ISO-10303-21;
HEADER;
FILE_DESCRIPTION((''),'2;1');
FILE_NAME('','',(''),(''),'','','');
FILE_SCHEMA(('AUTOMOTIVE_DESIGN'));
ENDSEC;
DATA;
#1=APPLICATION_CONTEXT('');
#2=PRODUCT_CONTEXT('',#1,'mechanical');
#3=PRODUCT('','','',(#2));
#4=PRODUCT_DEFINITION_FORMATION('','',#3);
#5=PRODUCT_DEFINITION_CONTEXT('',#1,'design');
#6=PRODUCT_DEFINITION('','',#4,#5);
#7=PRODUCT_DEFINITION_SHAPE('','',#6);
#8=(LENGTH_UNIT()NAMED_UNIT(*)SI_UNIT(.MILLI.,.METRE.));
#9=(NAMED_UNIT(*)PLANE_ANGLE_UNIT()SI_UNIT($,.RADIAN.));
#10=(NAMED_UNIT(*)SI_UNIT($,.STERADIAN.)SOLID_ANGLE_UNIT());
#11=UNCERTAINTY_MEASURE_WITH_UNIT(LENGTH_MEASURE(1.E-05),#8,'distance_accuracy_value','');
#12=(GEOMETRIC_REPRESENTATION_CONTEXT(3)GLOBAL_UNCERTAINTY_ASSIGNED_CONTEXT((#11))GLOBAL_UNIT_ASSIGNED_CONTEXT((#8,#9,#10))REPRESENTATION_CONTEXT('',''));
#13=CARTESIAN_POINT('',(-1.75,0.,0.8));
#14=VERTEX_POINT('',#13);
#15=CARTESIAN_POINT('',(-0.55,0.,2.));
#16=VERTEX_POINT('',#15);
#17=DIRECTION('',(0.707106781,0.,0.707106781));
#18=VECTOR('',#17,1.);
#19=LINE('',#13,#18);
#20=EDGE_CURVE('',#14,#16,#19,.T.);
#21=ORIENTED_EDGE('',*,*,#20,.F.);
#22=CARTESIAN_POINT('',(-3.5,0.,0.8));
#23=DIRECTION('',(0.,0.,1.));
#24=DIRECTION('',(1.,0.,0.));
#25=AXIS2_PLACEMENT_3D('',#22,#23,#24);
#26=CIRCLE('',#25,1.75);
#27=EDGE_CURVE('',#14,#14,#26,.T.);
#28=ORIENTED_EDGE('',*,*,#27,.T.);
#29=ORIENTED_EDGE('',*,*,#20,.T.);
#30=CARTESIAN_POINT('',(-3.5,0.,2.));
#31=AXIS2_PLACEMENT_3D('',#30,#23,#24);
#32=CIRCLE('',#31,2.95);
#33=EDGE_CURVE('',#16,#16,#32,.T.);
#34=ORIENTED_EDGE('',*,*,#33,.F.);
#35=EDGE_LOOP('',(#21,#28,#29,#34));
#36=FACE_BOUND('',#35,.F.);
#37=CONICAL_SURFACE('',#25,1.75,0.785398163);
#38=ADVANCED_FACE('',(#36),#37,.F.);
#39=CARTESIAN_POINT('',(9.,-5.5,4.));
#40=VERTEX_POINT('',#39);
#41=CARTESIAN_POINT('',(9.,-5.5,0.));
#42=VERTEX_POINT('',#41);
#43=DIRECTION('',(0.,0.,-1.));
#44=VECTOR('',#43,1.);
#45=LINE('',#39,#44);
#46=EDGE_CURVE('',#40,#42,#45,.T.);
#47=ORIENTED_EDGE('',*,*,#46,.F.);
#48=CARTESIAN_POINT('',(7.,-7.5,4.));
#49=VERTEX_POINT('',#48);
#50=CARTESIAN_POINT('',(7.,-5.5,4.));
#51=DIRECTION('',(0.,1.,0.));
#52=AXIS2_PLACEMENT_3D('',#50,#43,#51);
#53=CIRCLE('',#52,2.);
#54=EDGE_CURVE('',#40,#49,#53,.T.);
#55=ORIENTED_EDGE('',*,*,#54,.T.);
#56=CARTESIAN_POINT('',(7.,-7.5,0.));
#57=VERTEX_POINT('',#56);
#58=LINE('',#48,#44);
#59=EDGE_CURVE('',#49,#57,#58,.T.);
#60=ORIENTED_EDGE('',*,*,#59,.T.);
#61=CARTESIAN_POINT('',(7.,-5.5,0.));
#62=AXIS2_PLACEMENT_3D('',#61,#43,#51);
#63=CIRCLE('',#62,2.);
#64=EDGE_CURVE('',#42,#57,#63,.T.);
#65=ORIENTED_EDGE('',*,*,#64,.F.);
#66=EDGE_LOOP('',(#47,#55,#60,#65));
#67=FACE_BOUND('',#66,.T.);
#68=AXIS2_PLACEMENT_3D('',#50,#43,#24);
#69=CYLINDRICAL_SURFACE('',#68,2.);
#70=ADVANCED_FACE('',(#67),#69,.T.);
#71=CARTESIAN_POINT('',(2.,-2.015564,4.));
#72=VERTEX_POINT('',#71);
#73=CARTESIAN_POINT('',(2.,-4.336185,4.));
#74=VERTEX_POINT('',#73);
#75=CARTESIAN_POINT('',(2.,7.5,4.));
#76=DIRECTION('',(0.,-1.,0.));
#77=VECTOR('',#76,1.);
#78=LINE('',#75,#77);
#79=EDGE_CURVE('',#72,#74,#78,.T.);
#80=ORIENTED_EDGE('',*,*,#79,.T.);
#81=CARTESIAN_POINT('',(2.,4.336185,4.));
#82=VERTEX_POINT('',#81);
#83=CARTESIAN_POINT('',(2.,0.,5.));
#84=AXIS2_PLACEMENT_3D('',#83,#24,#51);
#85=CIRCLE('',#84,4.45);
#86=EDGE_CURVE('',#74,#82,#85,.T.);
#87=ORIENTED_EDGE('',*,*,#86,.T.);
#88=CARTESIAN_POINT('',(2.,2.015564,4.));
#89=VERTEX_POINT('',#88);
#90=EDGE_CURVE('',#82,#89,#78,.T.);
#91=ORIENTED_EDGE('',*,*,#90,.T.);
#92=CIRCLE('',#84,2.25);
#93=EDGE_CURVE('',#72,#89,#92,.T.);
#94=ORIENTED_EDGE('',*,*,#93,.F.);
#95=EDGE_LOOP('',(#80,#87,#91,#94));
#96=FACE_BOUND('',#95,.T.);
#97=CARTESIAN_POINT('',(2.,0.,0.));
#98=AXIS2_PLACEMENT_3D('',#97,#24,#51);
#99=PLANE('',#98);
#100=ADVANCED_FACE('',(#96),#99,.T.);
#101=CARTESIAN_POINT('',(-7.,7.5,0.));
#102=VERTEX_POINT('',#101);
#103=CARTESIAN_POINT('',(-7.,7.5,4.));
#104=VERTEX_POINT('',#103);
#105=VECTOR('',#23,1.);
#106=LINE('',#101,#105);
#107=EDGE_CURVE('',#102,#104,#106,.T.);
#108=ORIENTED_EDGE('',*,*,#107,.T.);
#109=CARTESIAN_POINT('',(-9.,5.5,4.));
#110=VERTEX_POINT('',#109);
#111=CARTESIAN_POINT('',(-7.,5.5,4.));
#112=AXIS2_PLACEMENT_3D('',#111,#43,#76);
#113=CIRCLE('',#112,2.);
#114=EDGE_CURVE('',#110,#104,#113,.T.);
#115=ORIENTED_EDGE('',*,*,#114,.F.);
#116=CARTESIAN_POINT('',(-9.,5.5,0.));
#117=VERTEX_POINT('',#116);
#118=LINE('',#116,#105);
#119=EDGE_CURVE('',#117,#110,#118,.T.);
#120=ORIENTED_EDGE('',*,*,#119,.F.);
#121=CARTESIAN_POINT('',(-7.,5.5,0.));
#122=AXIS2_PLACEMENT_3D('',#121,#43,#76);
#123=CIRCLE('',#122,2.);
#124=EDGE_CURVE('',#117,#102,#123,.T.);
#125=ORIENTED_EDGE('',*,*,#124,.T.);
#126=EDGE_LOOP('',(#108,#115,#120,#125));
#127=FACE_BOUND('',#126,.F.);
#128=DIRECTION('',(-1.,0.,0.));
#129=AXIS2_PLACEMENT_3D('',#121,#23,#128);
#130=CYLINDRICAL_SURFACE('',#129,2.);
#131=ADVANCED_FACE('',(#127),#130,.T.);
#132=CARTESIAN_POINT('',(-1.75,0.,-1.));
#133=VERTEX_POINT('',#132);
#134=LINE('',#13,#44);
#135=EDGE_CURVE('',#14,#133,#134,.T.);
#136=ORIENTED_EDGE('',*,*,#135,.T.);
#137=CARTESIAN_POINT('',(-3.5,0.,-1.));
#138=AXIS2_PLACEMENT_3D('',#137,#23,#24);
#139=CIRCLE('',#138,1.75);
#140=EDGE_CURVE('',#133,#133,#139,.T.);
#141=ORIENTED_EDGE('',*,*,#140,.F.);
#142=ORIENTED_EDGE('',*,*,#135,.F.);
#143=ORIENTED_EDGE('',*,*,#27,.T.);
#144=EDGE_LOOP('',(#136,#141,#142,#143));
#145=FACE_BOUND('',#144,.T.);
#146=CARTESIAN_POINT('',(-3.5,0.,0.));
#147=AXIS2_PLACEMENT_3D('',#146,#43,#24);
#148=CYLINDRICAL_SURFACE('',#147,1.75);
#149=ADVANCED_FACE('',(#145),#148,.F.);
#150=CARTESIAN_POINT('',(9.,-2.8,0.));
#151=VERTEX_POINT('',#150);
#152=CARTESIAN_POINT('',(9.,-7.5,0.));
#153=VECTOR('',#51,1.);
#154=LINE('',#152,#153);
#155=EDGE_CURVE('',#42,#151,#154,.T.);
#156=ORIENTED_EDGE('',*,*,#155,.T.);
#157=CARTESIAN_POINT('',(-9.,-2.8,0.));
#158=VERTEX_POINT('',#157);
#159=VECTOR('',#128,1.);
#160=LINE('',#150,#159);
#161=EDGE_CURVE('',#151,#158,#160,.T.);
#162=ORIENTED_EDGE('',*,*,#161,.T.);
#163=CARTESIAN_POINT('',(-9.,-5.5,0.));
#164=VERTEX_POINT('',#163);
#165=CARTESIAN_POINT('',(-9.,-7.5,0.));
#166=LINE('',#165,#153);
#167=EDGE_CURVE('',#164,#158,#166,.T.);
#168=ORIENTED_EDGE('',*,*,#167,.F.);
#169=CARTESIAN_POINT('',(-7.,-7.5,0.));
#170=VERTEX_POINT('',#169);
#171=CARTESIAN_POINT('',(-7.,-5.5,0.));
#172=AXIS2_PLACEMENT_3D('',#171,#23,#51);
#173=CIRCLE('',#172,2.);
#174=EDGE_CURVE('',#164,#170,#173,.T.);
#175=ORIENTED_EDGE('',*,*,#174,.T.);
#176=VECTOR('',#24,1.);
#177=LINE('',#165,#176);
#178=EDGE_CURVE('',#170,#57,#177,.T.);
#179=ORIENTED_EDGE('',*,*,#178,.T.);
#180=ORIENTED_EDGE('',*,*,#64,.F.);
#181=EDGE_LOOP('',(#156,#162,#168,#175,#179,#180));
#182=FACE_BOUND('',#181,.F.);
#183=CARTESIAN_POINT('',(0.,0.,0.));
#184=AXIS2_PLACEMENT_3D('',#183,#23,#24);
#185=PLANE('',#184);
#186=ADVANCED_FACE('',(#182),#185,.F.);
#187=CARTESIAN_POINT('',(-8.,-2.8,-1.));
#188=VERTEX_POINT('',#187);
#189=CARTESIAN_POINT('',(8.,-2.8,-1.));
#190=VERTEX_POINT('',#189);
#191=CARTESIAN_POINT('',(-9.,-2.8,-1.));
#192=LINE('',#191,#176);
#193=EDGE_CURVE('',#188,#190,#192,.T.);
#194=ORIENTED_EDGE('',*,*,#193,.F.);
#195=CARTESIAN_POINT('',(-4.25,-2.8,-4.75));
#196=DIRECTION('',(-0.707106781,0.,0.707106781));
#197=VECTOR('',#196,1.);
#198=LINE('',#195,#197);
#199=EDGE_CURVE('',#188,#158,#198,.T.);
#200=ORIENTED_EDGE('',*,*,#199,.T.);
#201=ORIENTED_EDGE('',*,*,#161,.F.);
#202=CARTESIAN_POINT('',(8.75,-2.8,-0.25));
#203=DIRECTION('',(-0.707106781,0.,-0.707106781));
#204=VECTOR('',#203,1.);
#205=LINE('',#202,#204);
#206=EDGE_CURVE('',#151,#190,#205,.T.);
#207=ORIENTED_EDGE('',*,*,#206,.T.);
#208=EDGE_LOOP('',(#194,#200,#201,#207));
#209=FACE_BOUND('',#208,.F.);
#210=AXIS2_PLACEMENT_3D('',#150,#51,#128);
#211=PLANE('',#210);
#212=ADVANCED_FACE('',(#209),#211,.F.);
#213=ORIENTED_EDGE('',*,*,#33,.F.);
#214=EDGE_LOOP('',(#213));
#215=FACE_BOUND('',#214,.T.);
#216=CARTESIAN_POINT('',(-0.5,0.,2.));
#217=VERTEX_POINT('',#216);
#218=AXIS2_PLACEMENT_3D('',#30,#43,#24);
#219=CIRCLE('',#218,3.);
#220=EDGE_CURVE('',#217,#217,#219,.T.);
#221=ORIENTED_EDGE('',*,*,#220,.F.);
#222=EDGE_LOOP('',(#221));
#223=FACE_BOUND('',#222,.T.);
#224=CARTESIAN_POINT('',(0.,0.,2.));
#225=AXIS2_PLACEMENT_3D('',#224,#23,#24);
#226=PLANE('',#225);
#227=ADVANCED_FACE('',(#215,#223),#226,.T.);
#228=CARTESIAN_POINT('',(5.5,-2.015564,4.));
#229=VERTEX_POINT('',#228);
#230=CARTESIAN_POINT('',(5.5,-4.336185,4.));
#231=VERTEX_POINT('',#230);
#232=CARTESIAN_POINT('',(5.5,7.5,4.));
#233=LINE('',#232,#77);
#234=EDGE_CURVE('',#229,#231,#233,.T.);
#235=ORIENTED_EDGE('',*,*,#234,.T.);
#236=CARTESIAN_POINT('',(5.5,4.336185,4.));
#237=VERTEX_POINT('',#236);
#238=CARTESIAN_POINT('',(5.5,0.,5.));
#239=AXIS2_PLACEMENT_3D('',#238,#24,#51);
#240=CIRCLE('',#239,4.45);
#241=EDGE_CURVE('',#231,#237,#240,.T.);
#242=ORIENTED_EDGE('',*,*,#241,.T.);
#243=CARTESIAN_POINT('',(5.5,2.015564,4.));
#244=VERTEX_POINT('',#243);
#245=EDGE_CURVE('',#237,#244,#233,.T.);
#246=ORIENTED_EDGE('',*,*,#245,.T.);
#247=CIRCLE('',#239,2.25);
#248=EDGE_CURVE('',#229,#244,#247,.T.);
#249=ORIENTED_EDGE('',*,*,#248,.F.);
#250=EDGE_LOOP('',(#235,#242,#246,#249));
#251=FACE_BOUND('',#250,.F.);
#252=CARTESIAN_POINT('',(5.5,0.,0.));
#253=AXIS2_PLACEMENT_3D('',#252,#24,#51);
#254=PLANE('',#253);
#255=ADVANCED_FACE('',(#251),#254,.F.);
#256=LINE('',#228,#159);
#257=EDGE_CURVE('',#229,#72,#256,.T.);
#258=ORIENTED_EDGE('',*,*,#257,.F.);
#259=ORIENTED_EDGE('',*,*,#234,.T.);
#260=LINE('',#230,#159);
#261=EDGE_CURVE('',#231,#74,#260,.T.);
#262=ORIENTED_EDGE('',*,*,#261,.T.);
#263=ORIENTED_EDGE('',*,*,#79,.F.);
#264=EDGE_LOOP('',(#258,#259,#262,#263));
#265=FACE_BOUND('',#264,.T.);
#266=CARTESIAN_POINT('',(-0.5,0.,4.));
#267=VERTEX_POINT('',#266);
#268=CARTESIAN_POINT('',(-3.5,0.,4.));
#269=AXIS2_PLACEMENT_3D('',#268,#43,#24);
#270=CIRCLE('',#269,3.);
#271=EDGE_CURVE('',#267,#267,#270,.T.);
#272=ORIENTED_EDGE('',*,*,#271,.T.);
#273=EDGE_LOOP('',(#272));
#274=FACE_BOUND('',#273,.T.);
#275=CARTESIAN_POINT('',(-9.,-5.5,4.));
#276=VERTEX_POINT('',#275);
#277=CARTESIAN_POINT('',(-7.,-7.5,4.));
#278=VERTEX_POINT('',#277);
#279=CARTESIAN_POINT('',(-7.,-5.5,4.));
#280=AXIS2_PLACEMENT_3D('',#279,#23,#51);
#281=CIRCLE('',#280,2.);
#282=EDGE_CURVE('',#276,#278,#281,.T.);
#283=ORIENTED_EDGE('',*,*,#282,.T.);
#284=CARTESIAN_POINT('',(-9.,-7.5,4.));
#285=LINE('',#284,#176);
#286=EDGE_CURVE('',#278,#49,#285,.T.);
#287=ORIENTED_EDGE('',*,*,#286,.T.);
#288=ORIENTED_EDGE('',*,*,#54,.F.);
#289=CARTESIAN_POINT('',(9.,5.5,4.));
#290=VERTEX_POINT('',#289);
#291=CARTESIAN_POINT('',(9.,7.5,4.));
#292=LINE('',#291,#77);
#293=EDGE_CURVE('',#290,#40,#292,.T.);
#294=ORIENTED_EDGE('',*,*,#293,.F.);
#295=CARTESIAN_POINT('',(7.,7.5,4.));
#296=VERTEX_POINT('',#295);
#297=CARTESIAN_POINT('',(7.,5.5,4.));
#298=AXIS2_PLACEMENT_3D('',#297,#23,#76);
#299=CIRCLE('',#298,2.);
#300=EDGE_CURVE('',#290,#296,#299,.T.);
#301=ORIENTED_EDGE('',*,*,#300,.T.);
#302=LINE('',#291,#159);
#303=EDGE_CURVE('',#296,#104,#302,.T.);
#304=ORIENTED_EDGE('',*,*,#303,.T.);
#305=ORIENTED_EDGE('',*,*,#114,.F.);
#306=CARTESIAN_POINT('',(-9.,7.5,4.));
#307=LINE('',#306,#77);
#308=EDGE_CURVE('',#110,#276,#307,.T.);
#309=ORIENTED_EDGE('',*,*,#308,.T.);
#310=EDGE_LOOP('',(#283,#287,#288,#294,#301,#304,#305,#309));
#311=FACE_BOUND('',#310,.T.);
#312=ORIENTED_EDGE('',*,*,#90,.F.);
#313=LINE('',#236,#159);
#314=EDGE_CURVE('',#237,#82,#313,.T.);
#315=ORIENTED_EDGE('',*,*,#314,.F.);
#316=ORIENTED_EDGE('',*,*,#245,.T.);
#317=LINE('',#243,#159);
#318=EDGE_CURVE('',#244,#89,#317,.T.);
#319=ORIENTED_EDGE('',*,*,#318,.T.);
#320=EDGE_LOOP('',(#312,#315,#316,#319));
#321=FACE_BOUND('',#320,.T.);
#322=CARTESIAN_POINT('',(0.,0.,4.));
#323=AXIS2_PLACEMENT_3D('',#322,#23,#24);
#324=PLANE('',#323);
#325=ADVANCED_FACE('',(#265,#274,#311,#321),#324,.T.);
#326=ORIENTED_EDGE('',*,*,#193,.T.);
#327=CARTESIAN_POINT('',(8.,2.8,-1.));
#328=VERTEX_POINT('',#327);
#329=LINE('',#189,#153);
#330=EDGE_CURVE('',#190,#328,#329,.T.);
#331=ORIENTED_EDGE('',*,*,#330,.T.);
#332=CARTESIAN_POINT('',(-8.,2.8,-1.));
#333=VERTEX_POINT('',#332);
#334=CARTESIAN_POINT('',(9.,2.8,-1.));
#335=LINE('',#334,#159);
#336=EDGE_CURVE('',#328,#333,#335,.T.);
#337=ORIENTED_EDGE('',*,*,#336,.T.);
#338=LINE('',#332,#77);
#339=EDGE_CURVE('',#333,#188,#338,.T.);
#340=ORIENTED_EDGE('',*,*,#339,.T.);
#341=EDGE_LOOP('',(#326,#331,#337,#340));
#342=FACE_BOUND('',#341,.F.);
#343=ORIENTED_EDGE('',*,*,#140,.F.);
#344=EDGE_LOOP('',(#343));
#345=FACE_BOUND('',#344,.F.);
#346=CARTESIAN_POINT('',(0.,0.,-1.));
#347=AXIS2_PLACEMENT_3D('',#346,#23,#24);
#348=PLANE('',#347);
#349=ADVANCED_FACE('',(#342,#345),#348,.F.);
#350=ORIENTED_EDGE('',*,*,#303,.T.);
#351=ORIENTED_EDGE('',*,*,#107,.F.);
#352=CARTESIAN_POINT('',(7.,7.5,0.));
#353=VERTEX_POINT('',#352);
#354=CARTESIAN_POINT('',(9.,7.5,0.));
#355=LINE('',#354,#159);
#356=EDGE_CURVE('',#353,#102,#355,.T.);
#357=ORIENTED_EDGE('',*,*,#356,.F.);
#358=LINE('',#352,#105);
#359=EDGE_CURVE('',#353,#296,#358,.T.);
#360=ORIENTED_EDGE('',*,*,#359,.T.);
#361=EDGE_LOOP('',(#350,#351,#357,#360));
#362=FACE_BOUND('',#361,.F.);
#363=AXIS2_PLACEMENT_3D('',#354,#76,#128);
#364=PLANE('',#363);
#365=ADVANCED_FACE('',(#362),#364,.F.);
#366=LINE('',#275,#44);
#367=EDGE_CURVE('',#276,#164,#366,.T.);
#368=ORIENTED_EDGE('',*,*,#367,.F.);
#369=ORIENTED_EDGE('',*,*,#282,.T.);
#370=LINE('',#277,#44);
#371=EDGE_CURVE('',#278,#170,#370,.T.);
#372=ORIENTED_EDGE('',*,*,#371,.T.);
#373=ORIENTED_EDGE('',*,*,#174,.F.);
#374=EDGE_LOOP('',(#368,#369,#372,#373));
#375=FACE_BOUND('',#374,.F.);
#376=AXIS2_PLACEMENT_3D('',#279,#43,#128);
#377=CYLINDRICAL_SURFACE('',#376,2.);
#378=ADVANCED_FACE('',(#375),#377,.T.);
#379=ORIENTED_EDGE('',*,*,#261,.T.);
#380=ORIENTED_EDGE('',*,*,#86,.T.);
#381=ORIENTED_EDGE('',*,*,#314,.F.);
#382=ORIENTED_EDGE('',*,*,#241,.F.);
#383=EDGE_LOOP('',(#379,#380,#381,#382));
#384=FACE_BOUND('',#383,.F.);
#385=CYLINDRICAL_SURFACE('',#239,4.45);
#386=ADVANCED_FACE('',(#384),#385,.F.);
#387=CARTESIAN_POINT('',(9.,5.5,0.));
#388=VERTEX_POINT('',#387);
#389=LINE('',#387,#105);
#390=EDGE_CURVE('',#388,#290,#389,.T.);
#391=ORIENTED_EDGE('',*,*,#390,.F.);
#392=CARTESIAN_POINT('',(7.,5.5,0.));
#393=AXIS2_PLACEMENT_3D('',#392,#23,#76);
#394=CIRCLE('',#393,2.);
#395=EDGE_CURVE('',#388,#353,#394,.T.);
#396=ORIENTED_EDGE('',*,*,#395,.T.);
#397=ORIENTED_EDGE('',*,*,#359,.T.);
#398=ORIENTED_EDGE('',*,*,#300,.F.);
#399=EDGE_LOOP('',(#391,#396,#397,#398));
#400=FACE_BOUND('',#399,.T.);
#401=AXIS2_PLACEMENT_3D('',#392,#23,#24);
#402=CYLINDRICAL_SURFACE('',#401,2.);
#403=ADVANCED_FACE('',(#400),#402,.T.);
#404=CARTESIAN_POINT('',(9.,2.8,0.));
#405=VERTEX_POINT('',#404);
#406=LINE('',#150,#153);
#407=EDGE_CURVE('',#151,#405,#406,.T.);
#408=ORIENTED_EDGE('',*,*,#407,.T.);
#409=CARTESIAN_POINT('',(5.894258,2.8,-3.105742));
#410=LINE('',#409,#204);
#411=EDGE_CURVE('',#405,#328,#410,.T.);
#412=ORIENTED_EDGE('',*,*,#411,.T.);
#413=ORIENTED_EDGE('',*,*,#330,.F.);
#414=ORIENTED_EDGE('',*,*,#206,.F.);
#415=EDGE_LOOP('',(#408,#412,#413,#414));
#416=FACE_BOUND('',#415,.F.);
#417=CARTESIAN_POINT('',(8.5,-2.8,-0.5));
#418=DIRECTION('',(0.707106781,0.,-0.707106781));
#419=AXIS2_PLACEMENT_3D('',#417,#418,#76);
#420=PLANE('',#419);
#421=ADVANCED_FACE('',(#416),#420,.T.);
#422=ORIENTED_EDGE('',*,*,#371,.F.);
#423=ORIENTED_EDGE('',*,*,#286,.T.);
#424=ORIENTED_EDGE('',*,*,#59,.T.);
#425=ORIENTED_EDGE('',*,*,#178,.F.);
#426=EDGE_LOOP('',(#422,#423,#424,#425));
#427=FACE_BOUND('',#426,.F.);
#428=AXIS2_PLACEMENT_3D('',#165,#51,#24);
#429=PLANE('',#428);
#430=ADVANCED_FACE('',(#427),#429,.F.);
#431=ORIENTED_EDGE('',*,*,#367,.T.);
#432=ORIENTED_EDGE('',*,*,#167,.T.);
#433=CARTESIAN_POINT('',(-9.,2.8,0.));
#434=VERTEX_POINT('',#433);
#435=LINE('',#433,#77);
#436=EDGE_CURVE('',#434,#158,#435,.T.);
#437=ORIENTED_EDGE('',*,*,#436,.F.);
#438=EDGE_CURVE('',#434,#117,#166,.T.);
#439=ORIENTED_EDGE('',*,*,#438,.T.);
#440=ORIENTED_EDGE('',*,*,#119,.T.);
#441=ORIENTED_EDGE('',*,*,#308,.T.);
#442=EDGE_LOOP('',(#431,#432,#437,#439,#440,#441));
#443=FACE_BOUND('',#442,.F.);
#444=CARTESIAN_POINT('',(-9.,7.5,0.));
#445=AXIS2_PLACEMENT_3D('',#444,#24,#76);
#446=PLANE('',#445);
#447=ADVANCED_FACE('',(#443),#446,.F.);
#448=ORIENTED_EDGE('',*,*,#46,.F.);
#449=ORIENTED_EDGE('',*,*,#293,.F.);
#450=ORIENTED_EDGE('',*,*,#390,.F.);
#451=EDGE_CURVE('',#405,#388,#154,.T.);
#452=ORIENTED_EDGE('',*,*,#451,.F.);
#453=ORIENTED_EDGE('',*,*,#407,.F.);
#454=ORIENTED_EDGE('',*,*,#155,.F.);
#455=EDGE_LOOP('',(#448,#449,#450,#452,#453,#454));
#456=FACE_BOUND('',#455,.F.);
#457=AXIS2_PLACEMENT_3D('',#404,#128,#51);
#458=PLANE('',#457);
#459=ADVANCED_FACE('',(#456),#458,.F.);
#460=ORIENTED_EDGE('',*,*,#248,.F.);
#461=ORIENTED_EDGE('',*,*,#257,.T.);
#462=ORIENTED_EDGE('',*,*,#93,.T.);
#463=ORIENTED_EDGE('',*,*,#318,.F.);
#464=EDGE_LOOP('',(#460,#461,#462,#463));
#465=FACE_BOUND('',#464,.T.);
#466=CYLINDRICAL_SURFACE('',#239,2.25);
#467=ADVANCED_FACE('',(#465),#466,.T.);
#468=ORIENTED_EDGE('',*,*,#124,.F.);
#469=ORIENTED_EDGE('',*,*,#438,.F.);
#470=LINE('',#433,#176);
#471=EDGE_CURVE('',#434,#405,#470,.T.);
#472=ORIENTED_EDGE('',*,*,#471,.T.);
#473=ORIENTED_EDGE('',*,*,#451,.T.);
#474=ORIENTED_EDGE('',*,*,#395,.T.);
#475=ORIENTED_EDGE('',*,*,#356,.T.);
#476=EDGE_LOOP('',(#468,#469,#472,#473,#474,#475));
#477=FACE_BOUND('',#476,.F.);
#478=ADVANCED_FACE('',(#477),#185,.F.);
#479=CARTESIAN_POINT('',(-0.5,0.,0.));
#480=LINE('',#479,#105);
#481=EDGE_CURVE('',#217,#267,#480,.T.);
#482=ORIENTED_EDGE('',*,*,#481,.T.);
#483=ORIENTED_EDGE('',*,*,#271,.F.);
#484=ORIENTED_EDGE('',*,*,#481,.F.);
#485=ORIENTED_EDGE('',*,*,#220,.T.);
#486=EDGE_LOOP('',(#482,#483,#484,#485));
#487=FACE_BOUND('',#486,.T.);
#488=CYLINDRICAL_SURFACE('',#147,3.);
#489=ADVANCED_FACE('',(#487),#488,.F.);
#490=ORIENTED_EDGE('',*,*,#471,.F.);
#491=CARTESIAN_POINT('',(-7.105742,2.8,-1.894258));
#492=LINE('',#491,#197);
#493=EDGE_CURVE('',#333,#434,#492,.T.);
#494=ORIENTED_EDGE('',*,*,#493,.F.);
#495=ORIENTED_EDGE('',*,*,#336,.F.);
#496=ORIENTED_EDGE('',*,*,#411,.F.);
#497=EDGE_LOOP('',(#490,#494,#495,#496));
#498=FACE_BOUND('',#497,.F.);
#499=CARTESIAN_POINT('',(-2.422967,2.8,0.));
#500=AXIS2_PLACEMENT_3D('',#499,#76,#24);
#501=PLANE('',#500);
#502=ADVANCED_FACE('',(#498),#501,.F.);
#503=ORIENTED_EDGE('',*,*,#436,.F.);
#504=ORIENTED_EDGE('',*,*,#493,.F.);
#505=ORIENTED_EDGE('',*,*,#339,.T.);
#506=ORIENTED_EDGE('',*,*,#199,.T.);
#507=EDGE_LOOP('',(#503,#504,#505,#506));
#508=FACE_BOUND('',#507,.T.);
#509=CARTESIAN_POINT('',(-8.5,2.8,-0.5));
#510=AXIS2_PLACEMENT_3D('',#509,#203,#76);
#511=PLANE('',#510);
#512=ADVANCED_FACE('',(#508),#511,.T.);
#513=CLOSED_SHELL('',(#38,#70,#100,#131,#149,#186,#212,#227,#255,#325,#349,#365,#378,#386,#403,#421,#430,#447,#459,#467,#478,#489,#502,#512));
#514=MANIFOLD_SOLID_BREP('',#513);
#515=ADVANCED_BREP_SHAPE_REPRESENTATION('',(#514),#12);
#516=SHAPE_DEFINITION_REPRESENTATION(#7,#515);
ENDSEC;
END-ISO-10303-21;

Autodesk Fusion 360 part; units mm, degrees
sketch "Sketch1" plane through (0, 0, 0) normal (0, 0, 1) x (1, 0, 0)
  line L0 (9, 7.5) -> (-9, 7.5)
  line L1 (-9, 7.5) -> (-9, -7.5)
  line L2 (-9, -7.5) -> (9, -7.5)
  line L3 (9, -7.5) -> (9, 7.5)
  line L4 (9, 7.5) -> (-9, -7.5) construction
  line L5 (-9, 7.5) -> (9, -7.5) construction
  circle A0 centre (-3.5, 0) radius 1.75
  circle A1 centre (-3.5, 0) radius 3
  line L6 (9, -2.8) -> (-9, -2.8)
  line L7 (-9, -2.8) -> (-9, 2.8)
  line L8 (-9, 2.8) -> (9, 2.8)
  line L9 (9, 2.8) -> (9, -2.8)
  line L10 (9, -2.8) -> (-9, 2.8) construction
  line L11 (-9, -2.8) -> (9, 2.8) construction
  dimension "d1" = 18
  dimension "d2" = 15
  dimension "d5" = 3.5
  dimension "d6" = 6
  dimension "d9" = 5.6
  dimension "d12" = 3.5
extrude "Extrude1" add sketch "Sketch1" along normal blind 2
extrude "Extrude2" add sketch "Sketch1" along normal blind 4 contours L0 L1 L3 A1 L8 | L3 A1 L6 L8 L9 | L1 A1 L6 L7 L8 | L1 L2 L3 A1 L6
extrude "Extrude3" add sketch "Sketch1" against normal blind 1 contours L3 A1 L6 L8 L9 | L1 A1 L6 L7 L8 | A1 L6 L8
sketch "Sketch2" plane through (9, 0, 0) normal (1, 0, 0) x (0, 1, 0)
  line L0 (-7.5, 0) -> (-2.8, 0)
  line L1 (-2.8, 0) -> (-2.8, -1)
  line L2 (-2.8, -1) -> (2.8, -1)
  line L3 (2.8, -1) -> (2.8, 0)
  line L4 (2.8, 0) -> (7.5, 0)
  line L5 (7.5, 0) -> (7.5, 4)
  line L6 (7.5, 4) -> (-7.5, 4)
  line L7 (-7.5, 4) -> (-7.5, 0)
  circle A0 centre (0, 5) radius 2.25
  circle A1 centre (0, 5) radius 4.45
  line L8 (-7.5, 0) -> (7.5, 0)
  dimension "d13" = 4.5
  dimension "d14" = 2.2
  dimension "d18" = 5
extrude "Extrude4" cut sketch "Sketch2" against normal blind 3.5 from surface at -3.5 contours L6 A0 A1 picked at (-0.2762, 1.3019)
chamfer "Chamfer1" distance 1.2 angle 45 1 edges at (-5.1316, 0.6328, 2)
fillet "Fillet1" radius 2 4 edges at (-9, -7.5, 2) (9, -7.5, 2) (9, 7.5, 2) (-9, 7.5, 2)
chamfer "Chamfer2" distance 1 angle 45 2 edges at (-9, 0, -1) (9, 0, -1)
